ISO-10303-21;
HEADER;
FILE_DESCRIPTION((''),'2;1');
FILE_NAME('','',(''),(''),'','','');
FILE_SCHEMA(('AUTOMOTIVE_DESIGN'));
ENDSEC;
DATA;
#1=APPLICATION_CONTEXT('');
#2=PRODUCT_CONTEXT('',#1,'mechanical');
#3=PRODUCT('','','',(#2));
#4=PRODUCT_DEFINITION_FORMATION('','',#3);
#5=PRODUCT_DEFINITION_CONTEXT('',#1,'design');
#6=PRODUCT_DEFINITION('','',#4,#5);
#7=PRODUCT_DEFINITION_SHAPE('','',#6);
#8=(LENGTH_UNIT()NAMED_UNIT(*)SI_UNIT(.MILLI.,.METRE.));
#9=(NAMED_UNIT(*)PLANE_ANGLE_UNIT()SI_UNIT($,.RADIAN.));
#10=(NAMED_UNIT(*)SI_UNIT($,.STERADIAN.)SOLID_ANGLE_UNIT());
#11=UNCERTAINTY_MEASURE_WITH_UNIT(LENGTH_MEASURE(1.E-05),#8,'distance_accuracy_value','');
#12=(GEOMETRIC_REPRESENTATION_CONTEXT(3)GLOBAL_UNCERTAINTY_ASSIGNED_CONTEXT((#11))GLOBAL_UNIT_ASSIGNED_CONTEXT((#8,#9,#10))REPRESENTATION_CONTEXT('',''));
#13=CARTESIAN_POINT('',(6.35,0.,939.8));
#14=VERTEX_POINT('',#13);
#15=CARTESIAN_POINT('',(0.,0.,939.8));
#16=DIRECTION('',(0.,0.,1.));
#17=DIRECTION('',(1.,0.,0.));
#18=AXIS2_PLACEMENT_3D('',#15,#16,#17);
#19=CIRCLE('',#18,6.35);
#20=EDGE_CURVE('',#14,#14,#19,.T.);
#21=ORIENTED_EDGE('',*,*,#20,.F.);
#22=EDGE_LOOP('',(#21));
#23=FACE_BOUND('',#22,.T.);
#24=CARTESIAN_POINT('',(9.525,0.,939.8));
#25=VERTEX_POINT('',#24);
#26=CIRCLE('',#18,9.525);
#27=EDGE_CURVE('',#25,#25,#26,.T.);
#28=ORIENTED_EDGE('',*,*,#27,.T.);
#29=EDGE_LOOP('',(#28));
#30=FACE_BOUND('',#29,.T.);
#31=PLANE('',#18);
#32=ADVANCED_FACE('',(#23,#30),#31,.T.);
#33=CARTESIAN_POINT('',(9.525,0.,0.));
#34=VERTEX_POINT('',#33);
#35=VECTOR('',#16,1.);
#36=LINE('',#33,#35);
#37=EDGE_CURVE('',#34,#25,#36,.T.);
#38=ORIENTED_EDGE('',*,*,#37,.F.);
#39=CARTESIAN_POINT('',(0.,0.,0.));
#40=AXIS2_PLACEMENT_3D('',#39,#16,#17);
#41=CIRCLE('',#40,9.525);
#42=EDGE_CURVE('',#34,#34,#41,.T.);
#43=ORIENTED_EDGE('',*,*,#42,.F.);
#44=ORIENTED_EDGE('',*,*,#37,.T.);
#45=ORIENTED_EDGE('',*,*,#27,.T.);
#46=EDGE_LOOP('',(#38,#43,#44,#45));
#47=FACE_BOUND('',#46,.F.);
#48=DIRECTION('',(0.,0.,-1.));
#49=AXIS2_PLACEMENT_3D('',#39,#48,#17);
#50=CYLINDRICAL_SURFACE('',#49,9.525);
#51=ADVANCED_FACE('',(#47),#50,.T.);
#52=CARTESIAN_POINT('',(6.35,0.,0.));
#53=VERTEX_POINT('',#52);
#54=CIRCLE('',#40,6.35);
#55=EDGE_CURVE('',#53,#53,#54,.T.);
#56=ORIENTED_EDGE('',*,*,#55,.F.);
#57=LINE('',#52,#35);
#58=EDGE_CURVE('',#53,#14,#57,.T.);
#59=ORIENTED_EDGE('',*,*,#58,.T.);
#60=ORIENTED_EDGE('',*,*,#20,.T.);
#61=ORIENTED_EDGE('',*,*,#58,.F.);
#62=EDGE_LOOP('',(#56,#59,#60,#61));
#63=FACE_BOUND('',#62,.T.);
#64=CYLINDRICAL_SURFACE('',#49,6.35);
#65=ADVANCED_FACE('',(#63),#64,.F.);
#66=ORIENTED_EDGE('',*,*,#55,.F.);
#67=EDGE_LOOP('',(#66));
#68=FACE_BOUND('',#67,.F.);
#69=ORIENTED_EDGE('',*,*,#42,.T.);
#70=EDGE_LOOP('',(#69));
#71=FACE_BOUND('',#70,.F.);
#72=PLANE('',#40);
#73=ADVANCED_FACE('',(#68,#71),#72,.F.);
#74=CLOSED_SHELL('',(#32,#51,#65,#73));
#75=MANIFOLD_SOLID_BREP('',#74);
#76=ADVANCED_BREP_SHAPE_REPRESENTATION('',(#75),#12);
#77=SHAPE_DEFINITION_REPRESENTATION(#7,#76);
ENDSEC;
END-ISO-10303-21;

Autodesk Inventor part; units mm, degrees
ref_plane "YZ Plane" through (0, 0, 0) normal (1, 0, 0) x (0, 1, 0)
ref_plane "XZ Plane" through (0, 0, 0) normal (0, 1, 0) x (-1, 0, 0)
ref_plane "XY Plane" through (0, 0, 0) normal (0, 0, 1) x (1, 0, 0)
sketch "Sketch1" plane through (0, 0, 0) normal (0, 0, 1) x (1, 0, 0)
  circle A0 centre (0, 0) radius 9.525
  circle A1 centre (0, 0) radius 6.35
  dimension "d0" = 19.05
  dimension "d1" = 3.175
extrude "Extrusion1" add sketch "Sketch1" along normal blind 939.8
properties part number "climb pvc" material "PVC-Piping"
